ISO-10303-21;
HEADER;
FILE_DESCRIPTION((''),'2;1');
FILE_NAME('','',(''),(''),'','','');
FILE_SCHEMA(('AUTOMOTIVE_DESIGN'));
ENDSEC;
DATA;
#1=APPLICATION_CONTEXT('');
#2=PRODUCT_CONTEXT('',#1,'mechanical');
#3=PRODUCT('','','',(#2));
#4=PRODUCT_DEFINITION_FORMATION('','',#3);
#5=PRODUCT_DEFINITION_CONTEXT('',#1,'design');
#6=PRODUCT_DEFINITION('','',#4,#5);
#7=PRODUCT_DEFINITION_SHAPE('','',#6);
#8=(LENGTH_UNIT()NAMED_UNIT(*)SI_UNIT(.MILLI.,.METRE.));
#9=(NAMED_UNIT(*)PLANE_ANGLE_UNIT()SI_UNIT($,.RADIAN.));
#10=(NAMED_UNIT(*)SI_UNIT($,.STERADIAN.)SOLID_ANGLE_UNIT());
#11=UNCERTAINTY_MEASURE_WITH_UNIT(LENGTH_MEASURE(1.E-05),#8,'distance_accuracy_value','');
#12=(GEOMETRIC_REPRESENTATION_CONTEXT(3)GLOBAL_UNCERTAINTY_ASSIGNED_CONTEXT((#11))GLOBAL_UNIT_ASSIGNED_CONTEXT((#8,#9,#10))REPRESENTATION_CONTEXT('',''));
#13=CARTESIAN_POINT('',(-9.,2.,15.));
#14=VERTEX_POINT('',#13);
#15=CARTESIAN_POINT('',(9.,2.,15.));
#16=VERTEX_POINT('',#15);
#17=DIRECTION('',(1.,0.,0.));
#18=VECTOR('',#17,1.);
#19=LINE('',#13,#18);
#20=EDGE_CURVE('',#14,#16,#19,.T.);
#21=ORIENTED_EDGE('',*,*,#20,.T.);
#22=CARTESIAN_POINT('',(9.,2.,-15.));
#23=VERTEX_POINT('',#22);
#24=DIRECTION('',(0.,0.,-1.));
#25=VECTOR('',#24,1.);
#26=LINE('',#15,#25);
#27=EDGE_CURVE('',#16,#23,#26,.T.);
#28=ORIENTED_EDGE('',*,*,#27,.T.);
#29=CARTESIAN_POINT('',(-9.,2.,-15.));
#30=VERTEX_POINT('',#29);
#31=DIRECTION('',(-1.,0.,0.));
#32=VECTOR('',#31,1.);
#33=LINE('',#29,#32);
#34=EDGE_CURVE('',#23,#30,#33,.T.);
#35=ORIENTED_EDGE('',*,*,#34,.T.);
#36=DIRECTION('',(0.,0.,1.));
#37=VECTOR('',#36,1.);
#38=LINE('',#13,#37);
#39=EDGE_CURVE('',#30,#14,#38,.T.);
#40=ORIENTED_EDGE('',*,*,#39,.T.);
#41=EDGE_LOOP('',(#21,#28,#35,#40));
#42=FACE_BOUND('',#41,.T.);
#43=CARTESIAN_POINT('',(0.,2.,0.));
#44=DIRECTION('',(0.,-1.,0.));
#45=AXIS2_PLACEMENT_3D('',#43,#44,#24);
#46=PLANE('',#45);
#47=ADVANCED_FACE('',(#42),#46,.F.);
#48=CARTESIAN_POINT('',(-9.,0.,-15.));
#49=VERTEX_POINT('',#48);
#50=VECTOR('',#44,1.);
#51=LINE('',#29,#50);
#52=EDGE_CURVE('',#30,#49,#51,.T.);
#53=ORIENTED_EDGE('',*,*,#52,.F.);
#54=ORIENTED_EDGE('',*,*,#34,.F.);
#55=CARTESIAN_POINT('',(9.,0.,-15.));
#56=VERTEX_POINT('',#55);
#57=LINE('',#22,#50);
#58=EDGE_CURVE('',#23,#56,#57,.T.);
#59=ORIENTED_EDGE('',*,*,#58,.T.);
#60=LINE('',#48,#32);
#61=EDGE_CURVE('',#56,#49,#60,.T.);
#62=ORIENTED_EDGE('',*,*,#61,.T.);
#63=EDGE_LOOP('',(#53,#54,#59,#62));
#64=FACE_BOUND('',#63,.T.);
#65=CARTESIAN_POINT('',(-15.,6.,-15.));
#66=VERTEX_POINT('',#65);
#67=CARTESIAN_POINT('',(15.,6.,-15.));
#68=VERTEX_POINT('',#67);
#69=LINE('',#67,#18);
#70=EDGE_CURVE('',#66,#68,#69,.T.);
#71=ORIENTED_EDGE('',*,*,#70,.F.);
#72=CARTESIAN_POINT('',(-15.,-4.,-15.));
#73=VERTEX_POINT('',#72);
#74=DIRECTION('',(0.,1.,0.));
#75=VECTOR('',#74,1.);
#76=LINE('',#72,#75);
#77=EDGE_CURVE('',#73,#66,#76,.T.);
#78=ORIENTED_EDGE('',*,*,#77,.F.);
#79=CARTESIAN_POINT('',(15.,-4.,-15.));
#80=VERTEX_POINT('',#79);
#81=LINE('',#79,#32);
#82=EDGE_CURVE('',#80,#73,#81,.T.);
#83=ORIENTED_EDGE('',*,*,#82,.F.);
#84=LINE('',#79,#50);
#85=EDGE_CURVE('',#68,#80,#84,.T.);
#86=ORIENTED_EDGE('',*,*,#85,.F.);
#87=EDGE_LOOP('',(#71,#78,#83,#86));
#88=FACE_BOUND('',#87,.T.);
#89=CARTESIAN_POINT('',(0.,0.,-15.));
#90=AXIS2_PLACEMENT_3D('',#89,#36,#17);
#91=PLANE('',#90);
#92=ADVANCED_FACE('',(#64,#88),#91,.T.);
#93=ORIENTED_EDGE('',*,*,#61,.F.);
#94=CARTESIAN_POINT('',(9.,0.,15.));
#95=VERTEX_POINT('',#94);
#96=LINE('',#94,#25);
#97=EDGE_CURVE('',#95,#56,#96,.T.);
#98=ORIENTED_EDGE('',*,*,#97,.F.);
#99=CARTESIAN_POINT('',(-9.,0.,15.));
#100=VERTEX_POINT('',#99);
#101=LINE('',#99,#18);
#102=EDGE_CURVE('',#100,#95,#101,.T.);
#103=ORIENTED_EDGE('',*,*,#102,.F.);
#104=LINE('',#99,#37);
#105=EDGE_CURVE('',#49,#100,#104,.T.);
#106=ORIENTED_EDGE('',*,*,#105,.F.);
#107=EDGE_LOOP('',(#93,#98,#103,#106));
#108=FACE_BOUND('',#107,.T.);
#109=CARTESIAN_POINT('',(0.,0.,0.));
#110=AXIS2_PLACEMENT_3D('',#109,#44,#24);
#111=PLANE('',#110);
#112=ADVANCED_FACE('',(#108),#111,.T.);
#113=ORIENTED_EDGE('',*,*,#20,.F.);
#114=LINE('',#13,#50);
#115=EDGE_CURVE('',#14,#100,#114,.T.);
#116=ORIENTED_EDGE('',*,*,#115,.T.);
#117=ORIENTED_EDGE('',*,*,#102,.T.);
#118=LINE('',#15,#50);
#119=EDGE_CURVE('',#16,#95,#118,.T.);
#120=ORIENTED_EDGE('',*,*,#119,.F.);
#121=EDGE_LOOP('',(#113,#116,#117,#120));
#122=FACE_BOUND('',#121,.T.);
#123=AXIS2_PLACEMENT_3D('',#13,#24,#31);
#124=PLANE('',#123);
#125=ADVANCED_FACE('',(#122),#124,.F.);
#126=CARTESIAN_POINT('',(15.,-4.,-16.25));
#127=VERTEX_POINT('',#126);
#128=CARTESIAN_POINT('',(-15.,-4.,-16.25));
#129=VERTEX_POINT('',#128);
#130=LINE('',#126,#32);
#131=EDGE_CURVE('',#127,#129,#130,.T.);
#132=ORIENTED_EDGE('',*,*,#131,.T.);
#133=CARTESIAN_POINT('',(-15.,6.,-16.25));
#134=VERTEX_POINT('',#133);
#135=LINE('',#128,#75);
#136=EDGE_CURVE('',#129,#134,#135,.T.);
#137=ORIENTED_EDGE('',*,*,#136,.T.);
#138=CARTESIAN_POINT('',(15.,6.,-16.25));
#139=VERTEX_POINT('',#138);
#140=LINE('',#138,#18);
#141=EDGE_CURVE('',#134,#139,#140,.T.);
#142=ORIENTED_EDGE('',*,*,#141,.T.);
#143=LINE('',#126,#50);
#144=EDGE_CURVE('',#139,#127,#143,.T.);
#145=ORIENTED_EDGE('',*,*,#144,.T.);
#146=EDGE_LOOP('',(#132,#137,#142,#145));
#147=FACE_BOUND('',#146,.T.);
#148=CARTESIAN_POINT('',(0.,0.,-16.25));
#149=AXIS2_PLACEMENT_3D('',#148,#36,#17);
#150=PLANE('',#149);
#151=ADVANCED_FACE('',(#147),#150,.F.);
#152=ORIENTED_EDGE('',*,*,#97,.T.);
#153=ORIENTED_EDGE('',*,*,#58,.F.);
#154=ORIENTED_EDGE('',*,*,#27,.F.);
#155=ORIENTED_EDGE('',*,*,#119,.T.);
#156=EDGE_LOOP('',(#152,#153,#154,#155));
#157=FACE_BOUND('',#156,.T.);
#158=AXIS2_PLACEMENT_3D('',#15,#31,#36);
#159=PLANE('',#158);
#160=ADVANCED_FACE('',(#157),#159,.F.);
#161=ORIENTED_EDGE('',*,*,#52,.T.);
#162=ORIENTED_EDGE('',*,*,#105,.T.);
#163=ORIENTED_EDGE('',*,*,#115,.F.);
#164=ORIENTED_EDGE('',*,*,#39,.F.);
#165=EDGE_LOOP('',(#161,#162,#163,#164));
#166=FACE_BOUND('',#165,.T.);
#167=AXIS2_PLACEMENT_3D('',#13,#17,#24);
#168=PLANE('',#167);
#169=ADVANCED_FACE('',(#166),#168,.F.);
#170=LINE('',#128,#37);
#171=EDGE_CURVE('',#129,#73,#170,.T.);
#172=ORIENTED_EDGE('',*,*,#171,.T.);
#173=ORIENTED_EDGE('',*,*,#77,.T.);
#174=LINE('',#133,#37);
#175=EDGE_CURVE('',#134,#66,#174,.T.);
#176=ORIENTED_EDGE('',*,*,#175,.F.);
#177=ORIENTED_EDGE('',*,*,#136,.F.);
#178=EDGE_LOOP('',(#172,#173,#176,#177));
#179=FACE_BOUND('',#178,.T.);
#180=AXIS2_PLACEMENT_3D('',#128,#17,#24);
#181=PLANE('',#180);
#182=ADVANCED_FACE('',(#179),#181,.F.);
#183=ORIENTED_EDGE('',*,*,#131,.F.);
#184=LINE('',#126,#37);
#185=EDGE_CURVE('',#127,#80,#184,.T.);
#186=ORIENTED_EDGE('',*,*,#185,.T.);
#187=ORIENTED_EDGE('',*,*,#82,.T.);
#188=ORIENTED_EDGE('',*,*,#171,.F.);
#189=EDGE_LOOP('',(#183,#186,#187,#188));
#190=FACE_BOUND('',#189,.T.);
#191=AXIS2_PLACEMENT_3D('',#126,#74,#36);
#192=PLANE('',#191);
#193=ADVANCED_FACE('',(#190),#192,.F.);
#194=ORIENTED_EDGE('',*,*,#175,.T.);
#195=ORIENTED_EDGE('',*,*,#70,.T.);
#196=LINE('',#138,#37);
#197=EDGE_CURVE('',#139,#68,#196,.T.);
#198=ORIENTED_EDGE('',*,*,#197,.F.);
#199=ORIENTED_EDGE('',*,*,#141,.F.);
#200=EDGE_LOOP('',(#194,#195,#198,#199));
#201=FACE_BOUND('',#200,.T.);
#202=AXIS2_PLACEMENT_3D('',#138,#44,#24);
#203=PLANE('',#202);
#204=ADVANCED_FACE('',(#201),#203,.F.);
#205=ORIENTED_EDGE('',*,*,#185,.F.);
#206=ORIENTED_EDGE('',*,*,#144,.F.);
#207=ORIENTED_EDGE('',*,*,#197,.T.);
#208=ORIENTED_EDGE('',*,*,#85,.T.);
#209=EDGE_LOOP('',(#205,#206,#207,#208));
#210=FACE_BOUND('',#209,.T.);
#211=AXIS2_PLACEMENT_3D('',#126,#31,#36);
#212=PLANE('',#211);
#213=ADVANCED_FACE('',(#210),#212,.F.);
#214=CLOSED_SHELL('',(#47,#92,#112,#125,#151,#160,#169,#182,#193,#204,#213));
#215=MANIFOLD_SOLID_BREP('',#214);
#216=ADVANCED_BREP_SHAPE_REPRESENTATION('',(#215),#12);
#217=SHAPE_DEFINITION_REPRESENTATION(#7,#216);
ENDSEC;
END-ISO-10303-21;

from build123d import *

# Parameters (mm, degrees)
SKETCH1_W           = 18
SKETCH1_H           = 30
BOSS_EXTRUDE1_DEPTH = 2
SKETCH2_W           = 30
SKETCH2_H           = 10
BOSS_EXTRUDE2_DEPTH = 1.25


with BuildPart() as part:
    # Sketch1 → Boss-Extrude1 (new body)
    with BuildSketch(Plane(origin=(0, 0, 0), x_dir=(1, 0, 0), z_dir=(0, 1, 0))):
        Rectangle(SKETCH1_W, SKETCH1_H)
    extrude(amount=BOSS_EXTRUDE1_DEPTH)

    # Sketch2 → Boss-Extrude2 (add)
    with BuildSketch(Plane(origin=(0, 0, -15), x_dir=(-1, 0, 0), z_dir=(0, 0, -1))):
        with Locations((0, 1)):
            Rectangle(SKETCH2_W, SKETCH2_H)
    extrude(amount=BOSS_EXTRUDE2_DEPTH)


solid = part.part
